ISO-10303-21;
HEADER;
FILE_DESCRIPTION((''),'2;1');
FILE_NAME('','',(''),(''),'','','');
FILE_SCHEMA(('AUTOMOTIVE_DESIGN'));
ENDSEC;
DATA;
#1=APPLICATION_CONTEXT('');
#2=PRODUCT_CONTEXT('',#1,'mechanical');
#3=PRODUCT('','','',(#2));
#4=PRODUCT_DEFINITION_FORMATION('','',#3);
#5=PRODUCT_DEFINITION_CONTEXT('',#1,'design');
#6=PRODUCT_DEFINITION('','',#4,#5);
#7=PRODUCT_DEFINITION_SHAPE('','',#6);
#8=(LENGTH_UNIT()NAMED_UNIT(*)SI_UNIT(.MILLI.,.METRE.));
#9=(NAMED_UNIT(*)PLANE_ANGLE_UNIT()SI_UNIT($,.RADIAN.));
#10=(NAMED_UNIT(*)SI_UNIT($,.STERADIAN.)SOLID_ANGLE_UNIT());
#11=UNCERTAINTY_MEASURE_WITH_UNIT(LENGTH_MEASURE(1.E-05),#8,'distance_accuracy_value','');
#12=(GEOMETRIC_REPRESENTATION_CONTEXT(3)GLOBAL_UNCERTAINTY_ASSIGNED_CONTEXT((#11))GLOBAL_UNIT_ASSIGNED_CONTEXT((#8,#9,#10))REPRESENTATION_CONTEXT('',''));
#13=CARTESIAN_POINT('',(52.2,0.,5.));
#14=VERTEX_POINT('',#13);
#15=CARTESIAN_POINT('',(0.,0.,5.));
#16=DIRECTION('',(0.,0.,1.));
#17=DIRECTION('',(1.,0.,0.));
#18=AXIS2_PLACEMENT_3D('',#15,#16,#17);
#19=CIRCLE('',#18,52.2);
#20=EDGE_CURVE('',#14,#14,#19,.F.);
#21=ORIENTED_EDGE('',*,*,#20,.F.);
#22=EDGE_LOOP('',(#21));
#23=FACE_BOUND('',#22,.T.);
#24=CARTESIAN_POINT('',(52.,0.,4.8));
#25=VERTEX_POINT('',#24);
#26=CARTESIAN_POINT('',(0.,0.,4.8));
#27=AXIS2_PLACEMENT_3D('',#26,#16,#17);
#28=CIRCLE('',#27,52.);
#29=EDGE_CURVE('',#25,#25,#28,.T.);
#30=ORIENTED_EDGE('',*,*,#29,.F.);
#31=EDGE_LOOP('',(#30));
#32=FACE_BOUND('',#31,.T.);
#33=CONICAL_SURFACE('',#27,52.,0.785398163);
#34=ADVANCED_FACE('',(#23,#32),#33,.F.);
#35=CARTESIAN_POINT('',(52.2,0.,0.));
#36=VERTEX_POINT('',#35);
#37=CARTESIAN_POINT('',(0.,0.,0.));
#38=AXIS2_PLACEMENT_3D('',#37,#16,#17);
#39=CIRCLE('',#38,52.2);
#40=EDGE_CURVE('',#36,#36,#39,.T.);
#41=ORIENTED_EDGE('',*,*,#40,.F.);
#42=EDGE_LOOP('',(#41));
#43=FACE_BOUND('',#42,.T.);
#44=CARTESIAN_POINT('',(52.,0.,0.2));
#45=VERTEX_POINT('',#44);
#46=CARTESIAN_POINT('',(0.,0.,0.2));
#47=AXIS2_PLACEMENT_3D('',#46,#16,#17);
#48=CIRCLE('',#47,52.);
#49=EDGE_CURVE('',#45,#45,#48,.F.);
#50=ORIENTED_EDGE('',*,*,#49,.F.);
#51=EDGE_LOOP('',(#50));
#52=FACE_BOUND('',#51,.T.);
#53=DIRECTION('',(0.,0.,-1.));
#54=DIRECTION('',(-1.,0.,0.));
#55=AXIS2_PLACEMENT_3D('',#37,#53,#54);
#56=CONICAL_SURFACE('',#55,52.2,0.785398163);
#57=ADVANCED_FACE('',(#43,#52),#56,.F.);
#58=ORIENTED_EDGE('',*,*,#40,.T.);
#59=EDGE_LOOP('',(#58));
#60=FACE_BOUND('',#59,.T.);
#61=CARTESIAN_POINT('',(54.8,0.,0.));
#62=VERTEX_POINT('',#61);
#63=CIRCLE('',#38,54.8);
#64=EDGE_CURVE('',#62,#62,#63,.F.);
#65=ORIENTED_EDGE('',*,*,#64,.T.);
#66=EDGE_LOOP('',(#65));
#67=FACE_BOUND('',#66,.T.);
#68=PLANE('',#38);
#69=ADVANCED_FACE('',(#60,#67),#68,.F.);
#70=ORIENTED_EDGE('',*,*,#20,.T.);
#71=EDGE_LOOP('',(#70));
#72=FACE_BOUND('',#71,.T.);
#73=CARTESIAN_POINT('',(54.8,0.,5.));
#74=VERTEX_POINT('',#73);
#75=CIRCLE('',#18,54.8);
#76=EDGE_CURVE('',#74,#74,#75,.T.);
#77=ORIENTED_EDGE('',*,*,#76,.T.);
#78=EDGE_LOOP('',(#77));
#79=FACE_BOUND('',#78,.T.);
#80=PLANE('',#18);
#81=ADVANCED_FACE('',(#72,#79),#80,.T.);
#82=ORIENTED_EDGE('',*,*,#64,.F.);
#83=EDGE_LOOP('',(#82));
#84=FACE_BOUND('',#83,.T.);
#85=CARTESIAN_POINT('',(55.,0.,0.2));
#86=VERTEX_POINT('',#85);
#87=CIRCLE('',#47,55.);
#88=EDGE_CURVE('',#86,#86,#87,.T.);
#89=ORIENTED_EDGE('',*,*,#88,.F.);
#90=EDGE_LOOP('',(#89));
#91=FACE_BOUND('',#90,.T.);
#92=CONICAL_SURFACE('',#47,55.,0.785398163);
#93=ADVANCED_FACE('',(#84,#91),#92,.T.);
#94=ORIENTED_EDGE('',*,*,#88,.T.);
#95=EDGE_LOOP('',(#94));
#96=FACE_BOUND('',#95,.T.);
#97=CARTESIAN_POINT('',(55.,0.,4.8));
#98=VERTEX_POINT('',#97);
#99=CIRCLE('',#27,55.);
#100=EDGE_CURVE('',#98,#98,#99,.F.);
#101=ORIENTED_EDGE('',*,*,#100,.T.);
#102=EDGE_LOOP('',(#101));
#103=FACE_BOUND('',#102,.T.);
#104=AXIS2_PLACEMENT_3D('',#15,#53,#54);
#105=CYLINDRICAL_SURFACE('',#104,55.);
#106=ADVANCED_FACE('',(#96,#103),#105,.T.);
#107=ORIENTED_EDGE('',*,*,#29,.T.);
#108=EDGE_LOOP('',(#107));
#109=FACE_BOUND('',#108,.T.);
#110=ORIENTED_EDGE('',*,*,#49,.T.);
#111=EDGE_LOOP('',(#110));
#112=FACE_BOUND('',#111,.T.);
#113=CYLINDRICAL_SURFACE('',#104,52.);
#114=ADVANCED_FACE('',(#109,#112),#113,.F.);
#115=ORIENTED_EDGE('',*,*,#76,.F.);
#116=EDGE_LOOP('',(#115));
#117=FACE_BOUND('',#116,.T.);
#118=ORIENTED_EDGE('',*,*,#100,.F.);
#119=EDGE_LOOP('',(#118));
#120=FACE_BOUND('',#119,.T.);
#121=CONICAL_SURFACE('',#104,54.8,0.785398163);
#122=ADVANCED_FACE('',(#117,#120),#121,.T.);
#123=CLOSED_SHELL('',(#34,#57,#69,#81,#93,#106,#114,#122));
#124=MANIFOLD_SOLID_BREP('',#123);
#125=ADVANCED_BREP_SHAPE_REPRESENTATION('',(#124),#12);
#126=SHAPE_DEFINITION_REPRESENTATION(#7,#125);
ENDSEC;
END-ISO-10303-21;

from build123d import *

# Parameters (mm, degrees)
SCHIZZO1_R                   = 55
SCHIZZO1_R_2                 = 52
ESTRUSIONE_ESTRUSIONE1_DEPTH = 5
SMUSSO1_SIZE                 = 0.2


with BuildPart() as part:
    # Schizzo1 → Estrusione-Estrusione1 (new body)
    with BuildSketch(Plane.XY):
        Circle(SCHIZZO1_R)
        Circle(SCHIZZO1_R_2, mode=Mode.SUBTRACT)
    extrude(amount=ESTRUSIONE_ESTRUSIONE1_DEPTH)

    # Smusso1
    smusso1_edges = [part.edges().sort_by_distance(p)[0] for p in [
        (-55, 0, 0),
        (-55, 0, 5),
        (-52, 0, 0),
        (-52, 0, 5),
    ]]
    chamfer(smusso1_edges, length=SMUSSO1_SIZE)


solid = part.part
